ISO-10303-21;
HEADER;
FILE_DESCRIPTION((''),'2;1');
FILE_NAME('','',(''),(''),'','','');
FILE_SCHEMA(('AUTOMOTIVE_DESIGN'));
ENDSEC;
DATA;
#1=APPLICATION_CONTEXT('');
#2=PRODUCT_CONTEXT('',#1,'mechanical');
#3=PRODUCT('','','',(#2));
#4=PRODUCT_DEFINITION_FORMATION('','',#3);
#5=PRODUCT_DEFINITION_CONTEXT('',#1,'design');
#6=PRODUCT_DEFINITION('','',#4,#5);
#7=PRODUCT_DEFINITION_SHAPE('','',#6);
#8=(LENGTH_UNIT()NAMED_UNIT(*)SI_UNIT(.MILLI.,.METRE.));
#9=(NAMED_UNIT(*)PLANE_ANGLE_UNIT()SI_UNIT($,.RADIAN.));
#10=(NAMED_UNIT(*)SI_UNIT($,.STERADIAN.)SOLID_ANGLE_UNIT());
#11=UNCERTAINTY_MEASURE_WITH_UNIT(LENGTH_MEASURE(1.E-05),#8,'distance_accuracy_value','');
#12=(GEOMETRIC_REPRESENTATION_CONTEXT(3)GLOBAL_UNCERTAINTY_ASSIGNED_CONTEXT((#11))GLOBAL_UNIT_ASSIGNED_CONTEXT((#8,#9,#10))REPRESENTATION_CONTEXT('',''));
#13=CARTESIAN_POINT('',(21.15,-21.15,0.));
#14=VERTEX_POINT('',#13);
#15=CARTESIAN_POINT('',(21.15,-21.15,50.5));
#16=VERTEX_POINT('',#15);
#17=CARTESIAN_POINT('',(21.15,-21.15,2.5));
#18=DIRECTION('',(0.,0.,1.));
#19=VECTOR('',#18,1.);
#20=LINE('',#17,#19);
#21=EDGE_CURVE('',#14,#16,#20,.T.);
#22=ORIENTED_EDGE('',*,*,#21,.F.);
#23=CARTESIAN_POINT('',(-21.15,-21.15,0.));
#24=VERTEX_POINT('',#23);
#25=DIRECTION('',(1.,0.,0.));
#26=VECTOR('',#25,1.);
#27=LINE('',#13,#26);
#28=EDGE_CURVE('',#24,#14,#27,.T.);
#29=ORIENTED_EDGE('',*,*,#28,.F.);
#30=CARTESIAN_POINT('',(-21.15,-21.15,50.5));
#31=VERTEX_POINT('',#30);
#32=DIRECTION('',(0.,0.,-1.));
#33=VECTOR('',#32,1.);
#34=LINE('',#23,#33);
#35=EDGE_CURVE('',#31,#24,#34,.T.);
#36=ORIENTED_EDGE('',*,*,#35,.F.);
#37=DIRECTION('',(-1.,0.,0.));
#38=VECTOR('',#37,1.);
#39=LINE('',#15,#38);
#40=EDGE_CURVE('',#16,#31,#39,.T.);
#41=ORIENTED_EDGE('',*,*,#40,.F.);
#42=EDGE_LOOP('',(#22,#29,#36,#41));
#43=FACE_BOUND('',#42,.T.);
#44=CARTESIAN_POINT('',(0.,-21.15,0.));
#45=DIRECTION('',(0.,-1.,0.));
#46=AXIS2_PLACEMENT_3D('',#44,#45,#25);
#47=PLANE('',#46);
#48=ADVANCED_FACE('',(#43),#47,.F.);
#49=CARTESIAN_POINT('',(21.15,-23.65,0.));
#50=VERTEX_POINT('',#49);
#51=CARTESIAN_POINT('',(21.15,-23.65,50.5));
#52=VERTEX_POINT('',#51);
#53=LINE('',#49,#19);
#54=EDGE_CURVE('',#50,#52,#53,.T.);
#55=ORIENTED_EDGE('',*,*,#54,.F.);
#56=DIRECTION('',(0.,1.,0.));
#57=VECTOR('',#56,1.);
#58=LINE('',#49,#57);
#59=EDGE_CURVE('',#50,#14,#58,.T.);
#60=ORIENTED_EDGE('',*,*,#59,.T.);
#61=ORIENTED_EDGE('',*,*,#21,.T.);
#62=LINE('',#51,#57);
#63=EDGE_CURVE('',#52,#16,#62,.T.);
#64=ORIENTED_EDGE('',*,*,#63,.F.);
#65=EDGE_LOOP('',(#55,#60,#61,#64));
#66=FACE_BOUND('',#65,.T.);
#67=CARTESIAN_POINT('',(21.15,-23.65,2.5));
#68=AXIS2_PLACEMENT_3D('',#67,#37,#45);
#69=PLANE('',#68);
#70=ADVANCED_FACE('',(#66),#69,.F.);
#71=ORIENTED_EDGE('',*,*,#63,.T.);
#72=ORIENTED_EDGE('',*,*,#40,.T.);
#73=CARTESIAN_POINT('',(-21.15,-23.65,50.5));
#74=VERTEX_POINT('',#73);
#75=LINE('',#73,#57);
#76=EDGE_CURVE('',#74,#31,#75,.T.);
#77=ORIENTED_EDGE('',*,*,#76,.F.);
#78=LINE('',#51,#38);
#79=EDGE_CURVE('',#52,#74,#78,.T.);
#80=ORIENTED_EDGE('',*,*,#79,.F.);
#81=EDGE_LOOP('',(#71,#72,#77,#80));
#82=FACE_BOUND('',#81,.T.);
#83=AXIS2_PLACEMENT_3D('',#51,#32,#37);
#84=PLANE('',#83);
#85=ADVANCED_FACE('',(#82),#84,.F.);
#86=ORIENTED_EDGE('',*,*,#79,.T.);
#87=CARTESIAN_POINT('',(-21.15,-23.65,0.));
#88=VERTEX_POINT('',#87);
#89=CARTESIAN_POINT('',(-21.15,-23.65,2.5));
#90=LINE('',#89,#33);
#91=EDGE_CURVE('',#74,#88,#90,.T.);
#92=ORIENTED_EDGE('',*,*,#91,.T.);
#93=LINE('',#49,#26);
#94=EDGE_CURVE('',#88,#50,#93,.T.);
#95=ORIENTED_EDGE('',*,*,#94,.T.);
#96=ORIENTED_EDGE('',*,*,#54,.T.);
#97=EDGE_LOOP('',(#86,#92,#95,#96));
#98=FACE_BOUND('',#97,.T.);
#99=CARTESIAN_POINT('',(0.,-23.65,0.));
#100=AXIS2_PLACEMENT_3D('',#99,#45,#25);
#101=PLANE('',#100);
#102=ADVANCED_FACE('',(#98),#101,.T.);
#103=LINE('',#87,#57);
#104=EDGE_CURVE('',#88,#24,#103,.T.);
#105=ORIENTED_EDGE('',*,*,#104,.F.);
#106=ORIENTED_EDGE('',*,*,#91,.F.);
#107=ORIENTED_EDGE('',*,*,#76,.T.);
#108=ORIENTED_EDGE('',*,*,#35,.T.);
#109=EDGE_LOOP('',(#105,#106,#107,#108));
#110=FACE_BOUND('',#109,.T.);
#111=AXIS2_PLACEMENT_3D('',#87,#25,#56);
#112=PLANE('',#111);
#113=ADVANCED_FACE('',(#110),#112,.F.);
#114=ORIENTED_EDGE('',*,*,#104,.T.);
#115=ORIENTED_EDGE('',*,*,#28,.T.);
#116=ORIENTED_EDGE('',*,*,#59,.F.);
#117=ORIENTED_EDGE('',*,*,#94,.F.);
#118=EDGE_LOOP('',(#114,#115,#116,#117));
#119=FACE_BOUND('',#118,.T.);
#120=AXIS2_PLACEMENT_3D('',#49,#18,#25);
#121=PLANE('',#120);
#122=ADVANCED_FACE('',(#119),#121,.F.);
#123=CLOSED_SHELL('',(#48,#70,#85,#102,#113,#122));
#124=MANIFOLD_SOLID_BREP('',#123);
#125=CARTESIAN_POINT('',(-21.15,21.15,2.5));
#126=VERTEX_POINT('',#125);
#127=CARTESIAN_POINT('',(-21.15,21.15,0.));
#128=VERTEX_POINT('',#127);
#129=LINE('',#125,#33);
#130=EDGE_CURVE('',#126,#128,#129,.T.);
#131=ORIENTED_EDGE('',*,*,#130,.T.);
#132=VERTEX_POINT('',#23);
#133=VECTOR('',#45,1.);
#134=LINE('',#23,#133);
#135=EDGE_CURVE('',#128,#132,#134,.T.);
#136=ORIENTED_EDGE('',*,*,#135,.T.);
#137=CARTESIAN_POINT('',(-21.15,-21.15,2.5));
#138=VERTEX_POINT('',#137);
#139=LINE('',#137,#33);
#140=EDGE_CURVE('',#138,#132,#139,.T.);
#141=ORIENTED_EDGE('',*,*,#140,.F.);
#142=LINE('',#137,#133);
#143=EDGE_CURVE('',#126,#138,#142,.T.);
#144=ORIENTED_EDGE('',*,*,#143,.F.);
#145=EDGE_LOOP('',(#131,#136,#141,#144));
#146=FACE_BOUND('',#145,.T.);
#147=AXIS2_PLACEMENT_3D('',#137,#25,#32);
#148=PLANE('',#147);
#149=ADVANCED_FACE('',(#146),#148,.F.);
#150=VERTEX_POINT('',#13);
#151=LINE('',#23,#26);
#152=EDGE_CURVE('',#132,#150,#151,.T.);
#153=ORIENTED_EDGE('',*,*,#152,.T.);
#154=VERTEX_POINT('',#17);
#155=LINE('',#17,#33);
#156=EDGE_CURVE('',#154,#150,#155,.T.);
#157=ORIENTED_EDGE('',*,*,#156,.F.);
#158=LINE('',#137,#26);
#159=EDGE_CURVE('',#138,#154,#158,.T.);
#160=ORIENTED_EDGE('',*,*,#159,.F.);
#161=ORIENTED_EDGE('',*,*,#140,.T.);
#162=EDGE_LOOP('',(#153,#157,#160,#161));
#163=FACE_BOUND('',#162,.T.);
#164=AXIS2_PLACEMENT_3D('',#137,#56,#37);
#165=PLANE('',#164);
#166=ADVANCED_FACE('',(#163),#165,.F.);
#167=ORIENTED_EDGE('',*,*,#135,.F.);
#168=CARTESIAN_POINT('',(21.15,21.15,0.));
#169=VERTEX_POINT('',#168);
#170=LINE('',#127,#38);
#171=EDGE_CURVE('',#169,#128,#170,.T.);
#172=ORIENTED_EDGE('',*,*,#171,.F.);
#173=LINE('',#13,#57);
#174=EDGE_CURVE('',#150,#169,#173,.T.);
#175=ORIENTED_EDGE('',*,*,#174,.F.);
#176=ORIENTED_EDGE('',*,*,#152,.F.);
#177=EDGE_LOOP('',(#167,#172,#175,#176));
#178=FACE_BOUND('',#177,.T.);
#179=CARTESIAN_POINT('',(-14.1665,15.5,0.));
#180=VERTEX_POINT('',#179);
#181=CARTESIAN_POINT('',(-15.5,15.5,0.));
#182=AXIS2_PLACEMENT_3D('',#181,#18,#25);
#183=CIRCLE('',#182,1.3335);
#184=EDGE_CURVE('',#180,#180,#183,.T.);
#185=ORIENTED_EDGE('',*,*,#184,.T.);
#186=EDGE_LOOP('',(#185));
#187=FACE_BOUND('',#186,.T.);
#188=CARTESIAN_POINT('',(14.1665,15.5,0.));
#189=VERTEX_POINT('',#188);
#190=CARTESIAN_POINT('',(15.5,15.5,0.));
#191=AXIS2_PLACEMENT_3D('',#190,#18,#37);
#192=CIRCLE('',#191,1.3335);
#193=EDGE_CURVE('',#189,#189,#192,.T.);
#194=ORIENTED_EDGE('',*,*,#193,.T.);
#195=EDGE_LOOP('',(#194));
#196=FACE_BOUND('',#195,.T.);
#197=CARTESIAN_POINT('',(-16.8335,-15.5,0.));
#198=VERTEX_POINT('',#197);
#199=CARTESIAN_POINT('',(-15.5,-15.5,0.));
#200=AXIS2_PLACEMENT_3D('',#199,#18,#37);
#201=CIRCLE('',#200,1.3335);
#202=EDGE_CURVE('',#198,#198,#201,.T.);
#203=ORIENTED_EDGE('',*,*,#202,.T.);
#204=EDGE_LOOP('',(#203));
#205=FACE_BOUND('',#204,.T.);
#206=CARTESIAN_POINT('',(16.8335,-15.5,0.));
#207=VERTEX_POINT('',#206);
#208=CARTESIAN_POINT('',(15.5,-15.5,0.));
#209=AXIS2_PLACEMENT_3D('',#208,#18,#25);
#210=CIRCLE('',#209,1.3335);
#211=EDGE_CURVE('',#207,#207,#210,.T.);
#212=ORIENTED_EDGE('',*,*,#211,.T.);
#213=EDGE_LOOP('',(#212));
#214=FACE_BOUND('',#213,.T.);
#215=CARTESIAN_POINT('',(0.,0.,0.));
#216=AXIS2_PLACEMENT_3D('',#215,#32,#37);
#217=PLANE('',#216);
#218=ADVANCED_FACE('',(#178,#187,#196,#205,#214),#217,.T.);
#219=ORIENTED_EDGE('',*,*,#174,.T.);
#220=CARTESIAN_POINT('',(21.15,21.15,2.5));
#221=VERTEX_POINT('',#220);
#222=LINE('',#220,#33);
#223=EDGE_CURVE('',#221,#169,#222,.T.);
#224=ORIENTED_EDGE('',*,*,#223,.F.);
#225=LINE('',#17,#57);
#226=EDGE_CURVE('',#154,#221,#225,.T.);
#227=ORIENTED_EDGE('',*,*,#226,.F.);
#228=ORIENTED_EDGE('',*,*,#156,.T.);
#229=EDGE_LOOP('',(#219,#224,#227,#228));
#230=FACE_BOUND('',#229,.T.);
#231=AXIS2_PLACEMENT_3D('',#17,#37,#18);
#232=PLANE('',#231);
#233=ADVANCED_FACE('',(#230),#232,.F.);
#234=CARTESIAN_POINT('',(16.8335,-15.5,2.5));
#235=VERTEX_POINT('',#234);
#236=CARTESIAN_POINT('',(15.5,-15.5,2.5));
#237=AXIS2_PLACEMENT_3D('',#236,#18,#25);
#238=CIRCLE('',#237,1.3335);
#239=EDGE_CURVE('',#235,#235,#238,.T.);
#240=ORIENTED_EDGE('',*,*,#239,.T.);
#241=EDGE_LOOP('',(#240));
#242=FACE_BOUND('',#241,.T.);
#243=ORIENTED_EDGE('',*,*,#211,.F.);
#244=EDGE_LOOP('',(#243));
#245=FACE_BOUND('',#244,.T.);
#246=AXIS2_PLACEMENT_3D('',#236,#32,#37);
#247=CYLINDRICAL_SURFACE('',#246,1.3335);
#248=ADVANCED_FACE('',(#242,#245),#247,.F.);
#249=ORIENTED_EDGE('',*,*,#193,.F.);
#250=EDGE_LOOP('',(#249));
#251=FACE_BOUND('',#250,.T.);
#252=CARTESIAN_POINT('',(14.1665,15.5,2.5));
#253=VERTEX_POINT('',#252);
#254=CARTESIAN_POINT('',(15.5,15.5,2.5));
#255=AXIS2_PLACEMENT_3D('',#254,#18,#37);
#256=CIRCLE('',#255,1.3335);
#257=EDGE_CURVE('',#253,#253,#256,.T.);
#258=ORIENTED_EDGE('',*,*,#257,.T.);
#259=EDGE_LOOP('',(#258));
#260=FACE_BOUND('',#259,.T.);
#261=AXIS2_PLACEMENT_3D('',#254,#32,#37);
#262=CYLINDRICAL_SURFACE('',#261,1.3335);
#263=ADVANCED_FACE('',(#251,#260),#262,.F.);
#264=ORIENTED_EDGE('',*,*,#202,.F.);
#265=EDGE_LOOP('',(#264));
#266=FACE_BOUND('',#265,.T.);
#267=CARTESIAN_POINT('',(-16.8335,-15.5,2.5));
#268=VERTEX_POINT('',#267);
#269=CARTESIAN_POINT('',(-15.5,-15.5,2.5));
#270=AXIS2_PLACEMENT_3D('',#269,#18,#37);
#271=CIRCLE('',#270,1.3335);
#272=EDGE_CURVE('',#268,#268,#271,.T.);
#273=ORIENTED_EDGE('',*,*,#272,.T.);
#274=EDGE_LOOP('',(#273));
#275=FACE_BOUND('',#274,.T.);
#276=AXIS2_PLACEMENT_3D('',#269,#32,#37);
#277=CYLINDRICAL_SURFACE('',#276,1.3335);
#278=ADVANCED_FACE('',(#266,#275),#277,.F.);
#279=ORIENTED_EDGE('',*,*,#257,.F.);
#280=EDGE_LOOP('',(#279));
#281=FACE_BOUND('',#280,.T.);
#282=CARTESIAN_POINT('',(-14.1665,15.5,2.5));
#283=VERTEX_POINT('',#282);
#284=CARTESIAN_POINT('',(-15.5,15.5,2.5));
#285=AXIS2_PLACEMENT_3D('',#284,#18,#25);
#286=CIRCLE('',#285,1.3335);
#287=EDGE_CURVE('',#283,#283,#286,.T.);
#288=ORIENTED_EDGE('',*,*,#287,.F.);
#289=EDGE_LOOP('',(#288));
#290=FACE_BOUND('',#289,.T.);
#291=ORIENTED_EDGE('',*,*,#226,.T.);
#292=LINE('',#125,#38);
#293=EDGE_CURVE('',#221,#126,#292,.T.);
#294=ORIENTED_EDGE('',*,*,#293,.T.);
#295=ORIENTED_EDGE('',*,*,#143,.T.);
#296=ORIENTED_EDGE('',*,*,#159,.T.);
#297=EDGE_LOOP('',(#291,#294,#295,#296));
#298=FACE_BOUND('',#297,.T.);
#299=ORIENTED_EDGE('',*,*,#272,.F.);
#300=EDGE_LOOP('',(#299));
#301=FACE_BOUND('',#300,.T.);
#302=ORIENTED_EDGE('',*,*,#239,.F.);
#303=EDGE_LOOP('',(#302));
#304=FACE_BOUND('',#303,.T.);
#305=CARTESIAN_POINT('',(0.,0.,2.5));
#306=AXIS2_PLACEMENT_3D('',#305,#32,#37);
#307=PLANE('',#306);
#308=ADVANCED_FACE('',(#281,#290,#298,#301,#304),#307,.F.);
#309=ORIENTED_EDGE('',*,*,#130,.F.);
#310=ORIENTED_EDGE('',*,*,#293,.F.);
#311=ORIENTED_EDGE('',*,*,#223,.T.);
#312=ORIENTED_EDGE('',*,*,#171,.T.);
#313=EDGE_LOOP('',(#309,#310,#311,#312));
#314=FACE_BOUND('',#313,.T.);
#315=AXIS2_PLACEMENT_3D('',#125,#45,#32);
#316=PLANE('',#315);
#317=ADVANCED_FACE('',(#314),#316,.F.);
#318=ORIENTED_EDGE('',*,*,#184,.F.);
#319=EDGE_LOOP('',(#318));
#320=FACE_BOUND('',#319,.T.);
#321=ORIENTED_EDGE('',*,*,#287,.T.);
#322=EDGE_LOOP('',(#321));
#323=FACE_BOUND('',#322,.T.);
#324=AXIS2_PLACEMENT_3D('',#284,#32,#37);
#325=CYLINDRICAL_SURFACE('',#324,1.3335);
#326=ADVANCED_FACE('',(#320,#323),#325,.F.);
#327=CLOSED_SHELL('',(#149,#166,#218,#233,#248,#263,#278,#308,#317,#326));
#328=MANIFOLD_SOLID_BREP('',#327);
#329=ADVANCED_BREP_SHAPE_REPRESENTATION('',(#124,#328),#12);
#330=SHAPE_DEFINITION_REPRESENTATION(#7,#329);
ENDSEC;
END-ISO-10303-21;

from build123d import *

# Parameters (mm, degrees)
SKETCH2_W           = 42.3
SKETCH2_H           = 42.3
SKETCH2_R           = 1.3335
BOSS_EXTRUDE1_DEPTH = 2.5
BOSS_EXTRUDE2_DEPTH = 2.5


with BuildPart() as part:
    # Sketch2 → Boss-Extrude1 (new body)
    with BuildSketch(Plane.XY):
        Rectangle(SKETCH2_W, SKETCH2_H)
        with Locations((-15.5, 15.5)):
            Circle(SKETCH2_R, mode=Mode.SUBTRACT)
        with Locations(Location((15.5, 15.5, 0), (0, 0, 180))):
            Circle(SKETCH2_R, mode=Mode.SUBTRACT)
        with Locations((15.5, -15.5)):
            Circle(SKETCH2_R, mode=Mode.SUBTRACT)
        with Locations(Location((-15.5, -15.5, 0), (0, 0, 180))):
            Circle(SKETCH2_R, mode=Mode.SUBTRACT)
    extrude(amount=BOSS_EXTRUDE1_DEPTH)


with BuildPart() as body_2:
    # Sketch3 → Boss-Extrude2 (new body)
    with BuildSketch(Plane.XZ.offset(21.15)):
        Polygon((21.15, 2.5), (21.15, 50.5), (-21.15, 50.5), (-21.15, 2.5), (-21.15, 0), (21.15, 0), align=None)
    extrude(amount=BOSS_EXTRUDE2_DEPTH)


solid = Compound([part.part, body_2.part])
